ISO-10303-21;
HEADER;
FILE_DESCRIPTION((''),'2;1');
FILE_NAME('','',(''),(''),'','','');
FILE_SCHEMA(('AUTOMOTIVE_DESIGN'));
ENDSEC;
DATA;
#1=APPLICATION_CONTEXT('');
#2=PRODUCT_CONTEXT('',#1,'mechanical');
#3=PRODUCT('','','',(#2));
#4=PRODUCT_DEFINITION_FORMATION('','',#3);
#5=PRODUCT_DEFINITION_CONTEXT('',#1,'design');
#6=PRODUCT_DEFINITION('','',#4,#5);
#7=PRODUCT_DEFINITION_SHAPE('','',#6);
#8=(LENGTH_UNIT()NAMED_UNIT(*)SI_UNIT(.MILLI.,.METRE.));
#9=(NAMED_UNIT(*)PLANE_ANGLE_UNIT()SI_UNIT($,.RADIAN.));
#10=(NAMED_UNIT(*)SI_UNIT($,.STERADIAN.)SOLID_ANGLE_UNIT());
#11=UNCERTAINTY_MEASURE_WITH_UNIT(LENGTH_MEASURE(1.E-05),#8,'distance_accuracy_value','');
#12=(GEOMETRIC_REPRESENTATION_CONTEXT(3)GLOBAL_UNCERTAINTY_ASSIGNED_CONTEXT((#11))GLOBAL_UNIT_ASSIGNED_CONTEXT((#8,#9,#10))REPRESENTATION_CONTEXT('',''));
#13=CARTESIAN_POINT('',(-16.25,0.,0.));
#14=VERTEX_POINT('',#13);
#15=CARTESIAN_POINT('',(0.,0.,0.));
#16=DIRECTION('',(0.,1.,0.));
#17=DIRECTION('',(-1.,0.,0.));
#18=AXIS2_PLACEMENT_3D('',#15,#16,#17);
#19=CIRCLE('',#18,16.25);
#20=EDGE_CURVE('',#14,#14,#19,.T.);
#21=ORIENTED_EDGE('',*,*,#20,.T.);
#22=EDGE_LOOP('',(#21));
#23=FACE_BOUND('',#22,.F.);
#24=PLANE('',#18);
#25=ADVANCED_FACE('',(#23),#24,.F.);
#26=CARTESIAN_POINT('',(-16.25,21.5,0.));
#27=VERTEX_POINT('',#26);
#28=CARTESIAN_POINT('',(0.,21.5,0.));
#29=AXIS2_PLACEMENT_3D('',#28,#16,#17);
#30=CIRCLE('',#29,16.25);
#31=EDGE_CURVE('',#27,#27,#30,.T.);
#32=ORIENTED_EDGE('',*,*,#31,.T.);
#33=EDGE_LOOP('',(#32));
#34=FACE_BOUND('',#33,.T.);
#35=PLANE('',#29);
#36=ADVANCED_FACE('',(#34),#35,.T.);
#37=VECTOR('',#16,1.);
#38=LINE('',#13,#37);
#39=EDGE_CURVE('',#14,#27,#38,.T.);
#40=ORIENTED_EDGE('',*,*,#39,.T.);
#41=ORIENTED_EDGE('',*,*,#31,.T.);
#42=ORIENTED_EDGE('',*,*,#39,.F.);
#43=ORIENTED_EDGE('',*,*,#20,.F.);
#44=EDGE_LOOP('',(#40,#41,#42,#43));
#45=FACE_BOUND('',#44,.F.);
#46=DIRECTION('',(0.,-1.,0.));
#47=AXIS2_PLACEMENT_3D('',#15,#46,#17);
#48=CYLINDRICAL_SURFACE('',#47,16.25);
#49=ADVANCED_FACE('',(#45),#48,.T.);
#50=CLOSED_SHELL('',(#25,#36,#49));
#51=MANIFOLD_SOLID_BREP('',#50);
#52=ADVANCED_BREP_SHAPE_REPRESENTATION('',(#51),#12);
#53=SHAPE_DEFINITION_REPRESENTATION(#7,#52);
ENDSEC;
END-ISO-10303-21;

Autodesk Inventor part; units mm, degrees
ref_plane "YZ Plane" through (0, 0, 0) normal (1, 0, 0) x (0, 1, 0)
ref_plane "XZ Plane" through (0, 0, 0) normal (0, 1, 0) x (-1, 0, 0)
ref_plane "XY Plane" through (0, 0, 0) normal (0, 0, 1) x (1, 0, 0)
sketch "スケッチ1" plane through (0, 0, 0) normal (0, 1, 0) x (-1, 0, 0)
  circle A0 centre (0, 0) radius 16.25
  dimension "d0" = 32.5
extrude "押し出し1" add sketch "スケッチ1" along normal blind 21.5
properties part number "encorder"
